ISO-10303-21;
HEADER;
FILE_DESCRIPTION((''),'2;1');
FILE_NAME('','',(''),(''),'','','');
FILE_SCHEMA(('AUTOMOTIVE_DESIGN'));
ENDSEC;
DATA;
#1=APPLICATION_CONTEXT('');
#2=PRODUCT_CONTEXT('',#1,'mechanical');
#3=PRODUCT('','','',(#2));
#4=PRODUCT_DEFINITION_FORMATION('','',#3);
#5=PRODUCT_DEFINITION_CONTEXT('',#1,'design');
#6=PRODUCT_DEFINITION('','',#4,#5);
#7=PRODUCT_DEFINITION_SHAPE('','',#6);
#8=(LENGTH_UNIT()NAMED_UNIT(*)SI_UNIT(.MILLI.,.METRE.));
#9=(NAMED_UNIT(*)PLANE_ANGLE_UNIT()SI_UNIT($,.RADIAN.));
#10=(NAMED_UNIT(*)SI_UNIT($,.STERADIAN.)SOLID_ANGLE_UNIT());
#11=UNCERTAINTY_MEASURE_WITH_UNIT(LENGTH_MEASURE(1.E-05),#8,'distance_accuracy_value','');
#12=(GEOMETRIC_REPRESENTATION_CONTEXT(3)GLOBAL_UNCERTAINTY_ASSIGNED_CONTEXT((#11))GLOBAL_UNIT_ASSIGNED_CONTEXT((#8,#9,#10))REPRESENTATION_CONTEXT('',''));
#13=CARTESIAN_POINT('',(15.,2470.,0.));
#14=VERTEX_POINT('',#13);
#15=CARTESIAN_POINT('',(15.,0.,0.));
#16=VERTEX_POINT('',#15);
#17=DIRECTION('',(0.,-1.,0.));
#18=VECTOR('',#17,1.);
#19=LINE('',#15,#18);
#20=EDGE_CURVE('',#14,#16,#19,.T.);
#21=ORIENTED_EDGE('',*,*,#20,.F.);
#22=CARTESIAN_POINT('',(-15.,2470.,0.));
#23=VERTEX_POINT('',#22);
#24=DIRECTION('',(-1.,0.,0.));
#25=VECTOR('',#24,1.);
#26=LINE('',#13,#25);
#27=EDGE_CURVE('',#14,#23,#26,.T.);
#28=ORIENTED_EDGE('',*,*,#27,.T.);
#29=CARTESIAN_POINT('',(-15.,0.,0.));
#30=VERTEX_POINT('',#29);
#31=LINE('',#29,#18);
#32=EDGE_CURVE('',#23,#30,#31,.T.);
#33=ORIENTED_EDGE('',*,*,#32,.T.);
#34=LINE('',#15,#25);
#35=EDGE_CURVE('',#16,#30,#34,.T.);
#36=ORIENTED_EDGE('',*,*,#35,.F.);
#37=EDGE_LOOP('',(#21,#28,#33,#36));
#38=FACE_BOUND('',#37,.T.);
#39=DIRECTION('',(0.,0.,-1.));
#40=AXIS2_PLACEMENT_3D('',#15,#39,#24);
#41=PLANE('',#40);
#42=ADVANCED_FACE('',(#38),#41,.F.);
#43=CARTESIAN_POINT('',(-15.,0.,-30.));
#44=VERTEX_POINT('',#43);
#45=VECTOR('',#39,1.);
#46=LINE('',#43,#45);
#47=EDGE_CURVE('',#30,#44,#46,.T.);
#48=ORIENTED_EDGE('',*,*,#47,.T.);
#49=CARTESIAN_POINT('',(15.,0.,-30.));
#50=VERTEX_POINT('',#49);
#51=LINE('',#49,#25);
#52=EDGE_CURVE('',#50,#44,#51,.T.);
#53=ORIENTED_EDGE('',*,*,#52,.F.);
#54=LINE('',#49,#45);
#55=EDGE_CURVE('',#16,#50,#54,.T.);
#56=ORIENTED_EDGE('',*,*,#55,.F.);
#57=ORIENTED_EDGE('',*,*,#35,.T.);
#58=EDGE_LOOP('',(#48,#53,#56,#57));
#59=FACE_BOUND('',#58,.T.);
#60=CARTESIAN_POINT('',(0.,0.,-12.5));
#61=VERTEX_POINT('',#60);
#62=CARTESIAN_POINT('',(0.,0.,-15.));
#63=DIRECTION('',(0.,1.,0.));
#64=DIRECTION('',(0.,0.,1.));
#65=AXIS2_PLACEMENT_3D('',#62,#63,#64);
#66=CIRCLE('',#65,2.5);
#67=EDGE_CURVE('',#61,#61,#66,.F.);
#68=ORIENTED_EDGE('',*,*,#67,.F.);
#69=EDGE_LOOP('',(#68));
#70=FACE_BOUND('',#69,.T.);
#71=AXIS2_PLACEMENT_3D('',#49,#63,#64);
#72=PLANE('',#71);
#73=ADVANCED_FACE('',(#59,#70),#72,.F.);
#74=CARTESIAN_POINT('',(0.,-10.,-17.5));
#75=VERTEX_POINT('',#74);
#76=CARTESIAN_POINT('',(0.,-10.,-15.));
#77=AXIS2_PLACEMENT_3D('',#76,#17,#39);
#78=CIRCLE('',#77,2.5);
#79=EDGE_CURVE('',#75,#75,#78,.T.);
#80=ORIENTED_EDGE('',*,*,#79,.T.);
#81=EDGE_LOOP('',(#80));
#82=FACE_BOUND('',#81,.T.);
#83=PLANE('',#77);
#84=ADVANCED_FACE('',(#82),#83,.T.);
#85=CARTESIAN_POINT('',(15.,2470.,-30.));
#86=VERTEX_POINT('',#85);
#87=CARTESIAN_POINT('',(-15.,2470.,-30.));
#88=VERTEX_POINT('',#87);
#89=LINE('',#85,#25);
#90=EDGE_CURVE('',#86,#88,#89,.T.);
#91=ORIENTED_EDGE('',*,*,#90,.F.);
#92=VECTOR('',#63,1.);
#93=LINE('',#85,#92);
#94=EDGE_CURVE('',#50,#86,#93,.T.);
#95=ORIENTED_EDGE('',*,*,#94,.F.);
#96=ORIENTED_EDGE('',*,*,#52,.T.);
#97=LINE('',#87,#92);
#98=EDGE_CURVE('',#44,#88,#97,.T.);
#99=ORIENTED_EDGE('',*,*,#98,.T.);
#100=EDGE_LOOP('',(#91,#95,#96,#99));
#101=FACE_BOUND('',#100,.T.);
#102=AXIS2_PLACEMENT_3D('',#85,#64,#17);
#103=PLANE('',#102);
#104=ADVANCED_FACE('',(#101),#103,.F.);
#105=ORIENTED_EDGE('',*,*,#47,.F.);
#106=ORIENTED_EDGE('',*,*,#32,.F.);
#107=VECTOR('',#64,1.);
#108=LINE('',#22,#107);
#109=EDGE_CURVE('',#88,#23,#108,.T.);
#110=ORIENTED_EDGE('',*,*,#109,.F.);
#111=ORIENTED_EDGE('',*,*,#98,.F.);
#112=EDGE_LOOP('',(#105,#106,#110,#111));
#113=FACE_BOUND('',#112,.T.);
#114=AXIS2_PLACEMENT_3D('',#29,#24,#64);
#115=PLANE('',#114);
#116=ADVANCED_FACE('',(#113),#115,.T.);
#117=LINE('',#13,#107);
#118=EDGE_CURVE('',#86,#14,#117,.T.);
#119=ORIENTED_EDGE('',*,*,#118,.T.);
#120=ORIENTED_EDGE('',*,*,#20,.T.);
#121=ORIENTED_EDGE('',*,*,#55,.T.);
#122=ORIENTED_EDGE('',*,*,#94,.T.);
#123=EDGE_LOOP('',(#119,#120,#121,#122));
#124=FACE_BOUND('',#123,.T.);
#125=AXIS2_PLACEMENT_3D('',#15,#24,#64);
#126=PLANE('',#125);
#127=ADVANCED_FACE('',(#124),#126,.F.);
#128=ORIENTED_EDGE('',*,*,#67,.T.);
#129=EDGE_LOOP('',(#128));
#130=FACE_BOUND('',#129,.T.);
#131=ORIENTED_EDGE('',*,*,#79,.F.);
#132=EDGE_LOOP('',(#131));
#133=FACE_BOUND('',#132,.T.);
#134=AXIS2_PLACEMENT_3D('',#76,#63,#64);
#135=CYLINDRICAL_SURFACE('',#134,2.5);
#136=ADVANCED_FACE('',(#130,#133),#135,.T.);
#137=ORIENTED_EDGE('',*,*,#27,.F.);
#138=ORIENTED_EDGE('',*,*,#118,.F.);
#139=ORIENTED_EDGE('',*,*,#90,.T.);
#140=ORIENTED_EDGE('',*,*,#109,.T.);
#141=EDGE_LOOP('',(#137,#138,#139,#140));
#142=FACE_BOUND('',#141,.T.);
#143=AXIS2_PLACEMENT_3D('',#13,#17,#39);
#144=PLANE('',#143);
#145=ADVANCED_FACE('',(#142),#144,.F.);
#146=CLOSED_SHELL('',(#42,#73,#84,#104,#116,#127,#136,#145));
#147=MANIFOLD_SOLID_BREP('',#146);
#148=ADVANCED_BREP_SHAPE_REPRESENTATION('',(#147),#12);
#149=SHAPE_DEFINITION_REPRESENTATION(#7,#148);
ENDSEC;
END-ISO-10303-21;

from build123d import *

# Parameters (mm, degrees)
SKETCH1_W           = 30
SKETCH1_H           = 2470
BOSS_EXTRUDE1_DEPTH = 15
SKETCH2_R           = 2.5
BOSS_EXTRUDE2_DEPTH = 10


with BuildPart() as part:
    # Sketch1 → Boss-Extrude1 (new body, symmetric)
    with BuildSketch(Plane(origin=(0, 0, 0), x_dir=(0, 0, -1), z_dir=(1, 0, 0))):
        with Locations((15, 1235)):
            Rectangle(SKETCH1_W, SKETCH1_H)
    extrude(amount=BOSS_EXTRUDE1_DEPTH, both=True)

    # Sketch2 → Boss-Extrude2 (add)
    with BuildSketch(Plane.XZ):
        with Locations((0, -15)):
            Circle(SKETCH2_R)
    extrude(amount=BOSS_EXTRUDE2_DEPTH)


solid = part.part
